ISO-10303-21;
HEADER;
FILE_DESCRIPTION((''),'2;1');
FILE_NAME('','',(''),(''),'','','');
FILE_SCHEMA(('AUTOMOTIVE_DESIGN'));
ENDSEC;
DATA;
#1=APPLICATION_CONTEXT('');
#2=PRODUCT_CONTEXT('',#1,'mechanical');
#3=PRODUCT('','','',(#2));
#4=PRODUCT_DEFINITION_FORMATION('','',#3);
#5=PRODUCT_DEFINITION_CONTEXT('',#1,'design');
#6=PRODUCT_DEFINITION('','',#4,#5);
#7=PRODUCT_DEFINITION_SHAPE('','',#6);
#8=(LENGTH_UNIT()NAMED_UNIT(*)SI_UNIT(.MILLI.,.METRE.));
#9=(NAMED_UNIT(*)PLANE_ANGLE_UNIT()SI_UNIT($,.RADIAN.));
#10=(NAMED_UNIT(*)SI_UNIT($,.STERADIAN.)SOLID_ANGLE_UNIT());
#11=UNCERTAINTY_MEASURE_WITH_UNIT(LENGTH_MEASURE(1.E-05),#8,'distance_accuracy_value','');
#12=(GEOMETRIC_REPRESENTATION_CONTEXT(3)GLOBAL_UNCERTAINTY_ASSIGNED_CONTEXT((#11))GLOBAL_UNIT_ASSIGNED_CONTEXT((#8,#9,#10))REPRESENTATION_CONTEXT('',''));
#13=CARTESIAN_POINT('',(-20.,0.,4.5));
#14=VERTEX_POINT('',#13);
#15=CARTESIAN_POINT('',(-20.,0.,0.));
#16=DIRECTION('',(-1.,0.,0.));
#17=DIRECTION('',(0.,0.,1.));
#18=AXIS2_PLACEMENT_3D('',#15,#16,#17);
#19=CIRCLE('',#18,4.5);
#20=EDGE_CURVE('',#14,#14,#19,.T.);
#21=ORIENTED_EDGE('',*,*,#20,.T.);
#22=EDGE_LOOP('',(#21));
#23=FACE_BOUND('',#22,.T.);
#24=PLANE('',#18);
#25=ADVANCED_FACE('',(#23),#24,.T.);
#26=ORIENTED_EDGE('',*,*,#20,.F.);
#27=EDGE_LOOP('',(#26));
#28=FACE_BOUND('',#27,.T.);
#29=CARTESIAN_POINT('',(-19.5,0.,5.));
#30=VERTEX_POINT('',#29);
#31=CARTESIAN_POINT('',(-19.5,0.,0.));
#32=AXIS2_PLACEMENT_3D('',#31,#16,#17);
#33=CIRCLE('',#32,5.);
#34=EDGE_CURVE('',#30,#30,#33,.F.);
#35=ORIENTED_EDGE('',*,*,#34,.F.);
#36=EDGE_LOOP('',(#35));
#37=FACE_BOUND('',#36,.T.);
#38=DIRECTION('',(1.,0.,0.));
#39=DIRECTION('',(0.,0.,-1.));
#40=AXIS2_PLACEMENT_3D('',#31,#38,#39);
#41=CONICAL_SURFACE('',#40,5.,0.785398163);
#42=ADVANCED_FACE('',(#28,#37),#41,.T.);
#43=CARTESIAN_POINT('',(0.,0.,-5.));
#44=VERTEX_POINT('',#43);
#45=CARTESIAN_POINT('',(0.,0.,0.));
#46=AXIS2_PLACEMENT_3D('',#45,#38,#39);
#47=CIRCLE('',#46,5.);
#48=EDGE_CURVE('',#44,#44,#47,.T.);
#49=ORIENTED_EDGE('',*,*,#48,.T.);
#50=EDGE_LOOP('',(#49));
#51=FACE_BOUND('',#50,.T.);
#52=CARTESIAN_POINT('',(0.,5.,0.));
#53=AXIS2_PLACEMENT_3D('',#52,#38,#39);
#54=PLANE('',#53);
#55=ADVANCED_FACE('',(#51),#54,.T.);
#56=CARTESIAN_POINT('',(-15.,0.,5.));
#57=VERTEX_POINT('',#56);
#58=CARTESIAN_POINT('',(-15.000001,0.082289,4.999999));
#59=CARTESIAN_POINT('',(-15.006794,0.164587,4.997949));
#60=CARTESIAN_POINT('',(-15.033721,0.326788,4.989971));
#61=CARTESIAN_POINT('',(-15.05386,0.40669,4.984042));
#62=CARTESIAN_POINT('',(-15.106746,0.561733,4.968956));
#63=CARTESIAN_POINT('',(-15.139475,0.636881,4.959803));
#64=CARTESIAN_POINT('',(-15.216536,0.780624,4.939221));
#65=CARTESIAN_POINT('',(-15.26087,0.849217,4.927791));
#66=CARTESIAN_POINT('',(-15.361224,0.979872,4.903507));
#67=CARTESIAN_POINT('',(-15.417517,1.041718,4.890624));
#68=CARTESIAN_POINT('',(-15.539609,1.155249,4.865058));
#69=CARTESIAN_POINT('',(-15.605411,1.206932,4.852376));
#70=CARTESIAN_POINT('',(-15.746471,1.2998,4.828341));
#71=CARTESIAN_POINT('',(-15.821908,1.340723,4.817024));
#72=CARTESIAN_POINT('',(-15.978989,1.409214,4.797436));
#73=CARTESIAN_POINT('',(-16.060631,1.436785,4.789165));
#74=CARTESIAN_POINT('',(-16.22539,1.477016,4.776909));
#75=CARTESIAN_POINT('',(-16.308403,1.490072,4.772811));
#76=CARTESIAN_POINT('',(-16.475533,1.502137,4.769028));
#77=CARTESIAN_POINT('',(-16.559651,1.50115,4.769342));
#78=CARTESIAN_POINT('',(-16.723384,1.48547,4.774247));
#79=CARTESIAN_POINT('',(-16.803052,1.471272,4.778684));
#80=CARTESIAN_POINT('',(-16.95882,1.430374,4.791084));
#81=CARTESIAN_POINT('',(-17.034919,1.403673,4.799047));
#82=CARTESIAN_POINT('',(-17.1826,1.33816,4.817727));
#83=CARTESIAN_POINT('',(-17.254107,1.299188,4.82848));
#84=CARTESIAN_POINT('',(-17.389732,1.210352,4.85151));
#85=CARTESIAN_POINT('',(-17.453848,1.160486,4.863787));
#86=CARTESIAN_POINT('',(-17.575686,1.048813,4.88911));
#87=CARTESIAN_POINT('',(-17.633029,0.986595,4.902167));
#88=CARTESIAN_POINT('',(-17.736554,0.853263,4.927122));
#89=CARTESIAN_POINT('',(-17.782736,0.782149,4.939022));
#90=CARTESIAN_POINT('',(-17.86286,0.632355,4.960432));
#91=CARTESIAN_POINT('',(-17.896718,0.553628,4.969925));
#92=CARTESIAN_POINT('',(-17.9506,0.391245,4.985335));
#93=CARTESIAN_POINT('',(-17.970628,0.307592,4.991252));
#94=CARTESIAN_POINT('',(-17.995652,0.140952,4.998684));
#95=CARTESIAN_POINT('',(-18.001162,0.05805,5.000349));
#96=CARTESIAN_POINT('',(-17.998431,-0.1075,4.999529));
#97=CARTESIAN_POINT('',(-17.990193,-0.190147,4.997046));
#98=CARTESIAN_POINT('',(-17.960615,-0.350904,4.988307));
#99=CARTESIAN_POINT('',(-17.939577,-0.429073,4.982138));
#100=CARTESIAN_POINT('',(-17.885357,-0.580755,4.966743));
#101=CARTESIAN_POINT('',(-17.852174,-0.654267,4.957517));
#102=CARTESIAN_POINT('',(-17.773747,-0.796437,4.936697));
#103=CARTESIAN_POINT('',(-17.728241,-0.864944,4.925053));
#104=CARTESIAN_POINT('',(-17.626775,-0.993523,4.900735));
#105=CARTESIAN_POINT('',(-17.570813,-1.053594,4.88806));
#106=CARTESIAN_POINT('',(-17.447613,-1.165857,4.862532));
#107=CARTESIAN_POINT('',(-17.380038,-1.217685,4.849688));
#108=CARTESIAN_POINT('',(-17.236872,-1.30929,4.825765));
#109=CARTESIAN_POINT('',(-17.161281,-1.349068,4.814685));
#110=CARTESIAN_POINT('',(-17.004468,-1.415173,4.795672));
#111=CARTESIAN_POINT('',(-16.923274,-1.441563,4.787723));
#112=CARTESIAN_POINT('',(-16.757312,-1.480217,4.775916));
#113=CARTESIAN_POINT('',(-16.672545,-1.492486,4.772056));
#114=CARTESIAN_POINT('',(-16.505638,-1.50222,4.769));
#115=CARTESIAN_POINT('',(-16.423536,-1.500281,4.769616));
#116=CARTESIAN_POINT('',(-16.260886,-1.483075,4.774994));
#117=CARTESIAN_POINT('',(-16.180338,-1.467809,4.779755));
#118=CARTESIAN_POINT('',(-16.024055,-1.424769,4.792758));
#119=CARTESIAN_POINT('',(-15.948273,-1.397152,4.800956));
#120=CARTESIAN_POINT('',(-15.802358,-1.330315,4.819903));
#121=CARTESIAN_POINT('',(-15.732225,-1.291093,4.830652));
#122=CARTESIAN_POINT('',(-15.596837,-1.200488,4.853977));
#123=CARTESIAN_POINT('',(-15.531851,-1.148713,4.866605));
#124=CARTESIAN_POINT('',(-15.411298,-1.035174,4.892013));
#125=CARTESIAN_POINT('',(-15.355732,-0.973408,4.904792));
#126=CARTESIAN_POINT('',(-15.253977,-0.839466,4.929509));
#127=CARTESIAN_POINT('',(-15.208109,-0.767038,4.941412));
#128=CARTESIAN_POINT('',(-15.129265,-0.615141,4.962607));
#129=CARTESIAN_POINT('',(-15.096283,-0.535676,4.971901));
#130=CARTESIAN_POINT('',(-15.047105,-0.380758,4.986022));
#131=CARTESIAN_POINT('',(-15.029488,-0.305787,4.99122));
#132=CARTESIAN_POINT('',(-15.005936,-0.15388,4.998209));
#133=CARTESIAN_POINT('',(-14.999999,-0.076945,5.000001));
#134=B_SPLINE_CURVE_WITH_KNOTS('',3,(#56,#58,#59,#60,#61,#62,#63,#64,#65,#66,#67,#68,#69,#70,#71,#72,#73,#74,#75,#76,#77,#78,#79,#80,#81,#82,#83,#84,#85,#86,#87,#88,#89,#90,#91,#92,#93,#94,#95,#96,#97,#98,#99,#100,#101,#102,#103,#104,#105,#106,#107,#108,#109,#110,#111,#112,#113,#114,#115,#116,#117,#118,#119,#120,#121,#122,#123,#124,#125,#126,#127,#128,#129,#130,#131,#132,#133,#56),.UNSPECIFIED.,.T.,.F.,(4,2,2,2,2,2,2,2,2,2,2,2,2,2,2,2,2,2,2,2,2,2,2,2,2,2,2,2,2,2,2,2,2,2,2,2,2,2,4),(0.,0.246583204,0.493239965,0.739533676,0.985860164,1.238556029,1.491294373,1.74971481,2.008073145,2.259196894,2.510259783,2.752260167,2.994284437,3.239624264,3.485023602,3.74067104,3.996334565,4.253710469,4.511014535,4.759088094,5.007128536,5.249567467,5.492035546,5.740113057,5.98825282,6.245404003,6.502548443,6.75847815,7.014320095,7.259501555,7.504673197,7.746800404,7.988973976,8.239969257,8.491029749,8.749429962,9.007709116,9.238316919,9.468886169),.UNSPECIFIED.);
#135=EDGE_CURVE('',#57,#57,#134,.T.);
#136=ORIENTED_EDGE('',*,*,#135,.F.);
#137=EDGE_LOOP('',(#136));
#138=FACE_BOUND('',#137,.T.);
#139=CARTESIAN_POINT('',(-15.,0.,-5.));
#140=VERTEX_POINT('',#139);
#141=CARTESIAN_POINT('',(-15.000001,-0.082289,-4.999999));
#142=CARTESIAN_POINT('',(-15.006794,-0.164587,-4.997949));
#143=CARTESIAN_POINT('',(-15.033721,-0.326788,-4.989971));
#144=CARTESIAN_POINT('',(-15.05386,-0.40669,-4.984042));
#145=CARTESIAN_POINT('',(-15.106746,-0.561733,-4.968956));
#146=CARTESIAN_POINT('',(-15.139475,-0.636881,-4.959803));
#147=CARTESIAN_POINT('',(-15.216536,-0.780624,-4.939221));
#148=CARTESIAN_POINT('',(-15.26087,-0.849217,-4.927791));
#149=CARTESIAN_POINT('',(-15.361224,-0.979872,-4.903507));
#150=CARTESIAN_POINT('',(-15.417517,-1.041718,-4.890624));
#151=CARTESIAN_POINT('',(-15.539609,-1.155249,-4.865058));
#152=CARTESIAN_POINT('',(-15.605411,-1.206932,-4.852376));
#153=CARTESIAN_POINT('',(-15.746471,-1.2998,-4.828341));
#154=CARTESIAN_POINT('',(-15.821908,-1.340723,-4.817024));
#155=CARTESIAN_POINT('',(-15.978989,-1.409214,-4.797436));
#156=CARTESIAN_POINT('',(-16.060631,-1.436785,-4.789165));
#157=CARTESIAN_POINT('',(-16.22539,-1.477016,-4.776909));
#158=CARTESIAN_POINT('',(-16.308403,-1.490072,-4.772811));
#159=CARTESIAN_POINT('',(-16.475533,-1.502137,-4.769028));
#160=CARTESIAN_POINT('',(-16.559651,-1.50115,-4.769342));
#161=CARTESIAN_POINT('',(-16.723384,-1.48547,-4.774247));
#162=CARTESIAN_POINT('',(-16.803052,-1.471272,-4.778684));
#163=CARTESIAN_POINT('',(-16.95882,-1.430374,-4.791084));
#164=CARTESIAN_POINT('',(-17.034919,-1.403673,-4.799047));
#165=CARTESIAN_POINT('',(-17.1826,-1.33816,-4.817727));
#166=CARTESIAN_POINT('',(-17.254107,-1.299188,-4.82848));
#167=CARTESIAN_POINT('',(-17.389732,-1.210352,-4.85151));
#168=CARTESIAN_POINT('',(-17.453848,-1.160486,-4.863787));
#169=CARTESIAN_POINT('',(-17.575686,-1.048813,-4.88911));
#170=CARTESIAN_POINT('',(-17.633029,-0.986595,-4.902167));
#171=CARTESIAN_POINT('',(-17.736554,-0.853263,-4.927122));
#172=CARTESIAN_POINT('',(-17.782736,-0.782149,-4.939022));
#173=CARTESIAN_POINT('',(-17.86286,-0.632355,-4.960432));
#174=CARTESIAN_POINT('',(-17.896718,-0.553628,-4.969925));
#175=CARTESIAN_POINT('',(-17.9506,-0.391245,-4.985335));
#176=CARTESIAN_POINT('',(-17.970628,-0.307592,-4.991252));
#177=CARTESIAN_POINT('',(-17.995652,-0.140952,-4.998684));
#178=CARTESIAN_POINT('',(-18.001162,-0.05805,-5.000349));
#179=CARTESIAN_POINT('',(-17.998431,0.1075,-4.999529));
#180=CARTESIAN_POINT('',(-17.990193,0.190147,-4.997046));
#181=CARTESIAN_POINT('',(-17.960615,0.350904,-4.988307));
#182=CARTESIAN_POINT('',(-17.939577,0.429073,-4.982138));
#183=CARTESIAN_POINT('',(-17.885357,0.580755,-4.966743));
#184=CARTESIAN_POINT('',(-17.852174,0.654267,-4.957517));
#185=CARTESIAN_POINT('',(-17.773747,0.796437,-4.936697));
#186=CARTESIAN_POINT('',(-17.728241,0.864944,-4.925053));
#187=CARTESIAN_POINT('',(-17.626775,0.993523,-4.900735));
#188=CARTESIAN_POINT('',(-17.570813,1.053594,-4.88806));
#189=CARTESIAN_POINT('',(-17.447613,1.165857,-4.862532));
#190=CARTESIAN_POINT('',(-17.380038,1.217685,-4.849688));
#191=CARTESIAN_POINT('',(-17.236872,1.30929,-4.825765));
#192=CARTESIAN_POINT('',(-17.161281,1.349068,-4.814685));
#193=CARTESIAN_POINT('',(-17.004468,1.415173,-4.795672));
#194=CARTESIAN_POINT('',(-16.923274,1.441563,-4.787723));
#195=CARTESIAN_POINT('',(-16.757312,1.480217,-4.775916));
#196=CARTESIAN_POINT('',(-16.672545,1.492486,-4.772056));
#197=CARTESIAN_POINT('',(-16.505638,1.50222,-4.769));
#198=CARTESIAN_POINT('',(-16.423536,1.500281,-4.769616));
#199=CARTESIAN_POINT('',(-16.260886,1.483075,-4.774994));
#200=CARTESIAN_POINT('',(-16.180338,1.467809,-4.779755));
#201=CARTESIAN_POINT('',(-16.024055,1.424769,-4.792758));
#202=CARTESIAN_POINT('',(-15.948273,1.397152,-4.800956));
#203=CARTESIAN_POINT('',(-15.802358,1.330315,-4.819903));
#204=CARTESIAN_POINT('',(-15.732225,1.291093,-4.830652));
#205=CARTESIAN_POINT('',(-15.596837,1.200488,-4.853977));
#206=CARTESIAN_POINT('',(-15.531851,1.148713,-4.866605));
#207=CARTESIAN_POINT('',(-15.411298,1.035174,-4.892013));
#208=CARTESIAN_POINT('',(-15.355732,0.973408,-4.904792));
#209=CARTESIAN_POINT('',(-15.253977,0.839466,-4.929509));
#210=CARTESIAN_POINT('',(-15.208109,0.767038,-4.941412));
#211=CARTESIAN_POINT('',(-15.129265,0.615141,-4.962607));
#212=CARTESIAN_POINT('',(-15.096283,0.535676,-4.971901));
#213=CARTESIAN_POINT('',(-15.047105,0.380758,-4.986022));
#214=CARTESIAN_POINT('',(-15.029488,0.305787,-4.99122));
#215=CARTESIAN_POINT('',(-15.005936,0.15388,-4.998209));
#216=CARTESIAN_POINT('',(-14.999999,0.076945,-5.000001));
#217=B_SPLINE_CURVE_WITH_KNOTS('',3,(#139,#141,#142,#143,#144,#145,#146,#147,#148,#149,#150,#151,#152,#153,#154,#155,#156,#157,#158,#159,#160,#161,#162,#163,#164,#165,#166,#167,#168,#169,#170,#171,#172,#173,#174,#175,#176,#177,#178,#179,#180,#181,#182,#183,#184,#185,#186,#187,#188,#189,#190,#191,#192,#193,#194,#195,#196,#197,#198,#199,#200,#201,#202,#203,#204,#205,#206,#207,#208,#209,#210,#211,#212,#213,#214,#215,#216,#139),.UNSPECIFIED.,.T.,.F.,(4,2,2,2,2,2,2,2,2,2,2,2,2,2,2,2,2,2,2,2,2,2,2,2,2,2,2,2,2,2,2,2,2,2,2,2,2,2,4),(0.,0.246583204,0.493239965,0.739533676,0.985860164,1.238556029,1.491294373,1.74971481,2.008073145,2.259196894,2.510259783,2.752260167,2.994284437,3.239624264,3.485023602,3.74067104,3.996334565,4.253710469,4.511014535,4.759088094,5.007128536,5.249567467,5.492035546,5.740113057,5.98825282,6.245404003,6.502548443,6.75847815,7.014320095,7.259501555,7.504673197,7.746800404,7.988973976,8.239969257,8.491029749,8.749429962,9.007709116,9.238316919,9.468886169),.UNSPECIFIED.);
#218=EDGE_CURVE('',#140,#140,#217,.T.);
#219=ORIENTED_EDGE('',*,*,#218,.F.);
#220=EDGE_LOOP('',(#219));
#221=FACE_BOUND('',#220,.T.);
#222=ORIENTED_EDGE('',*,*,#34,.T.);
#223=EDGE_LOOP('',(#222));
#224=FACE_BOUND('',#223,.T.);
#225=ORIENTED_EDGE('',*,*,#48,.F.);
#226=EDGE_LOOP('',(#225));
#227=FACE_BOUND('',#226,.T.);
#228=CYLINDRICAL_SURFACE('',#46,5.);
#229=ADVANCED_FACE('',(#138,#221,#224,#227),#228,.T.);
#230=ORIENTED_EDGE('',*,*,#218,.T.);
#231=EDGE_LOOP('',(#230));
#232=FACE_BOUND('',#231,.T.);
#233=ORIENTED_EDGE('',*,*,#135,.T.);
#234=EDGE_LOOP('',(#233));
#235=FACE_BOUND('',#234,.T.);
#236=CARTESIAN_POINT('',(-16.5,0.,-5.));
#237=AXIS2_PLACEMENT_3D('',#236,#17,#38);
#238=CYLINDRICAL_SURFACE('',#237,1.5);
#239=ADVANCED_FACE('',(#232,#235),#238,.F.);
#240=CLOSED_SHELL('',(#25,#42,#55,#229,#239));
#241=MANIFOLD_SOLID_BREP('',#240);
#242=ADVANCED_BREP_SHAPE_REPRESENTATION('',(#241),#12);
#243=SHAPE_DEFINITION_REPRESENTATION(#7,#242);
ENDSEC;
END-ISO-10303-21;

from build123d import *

# Parameters (mm, degrees)
ESQUISSE1_W           = 20
ESQUISSE1_H           = 5
CHANFREIN1_SIZE       = 0.5
EXTRUSION1_DEPTH      = 22.213203436
EXTRUSION1_DEPTH_BACK = 22.213203436
ESQUISSE2_R           = 1.5


with BuildPart() as part:
    # Esquisse1 → Base-Révolution (revolve)
    with BuildSketch(Plane.XY, mode=Mode.PRIVATE) as base_r_volution_sk:
        with Locations((-10, 2.5)):
            Rectangle(ESQUISSE1_W, ESQUISSE1_H)
    revolve(base_r_volution_sk.sketch.rotate(Axis((0, 0, 0), (-1, 0, 0)), 90), axis=Axis((0, 0, 0), (-1, 0, 0)))

    # Chanfrein1
    chanfrein1_edges = [part.edges().sort_by_distance(p)[0] for p in [
        (-20, 0, 5),
    ]]
    chamfer(chanfrein1_edges, length=CHANFREIN1_SIZE)

    # Esquisse2 → Extrusion1 (cut, two sides: drawn at the far end of the back side and taken through both)
    with BuildSketch(Plane.XY.offset(-EXTRUSION1_DEPTH_BACK)):
        with Locations((-16.5, 0)):
            Circle(ESQUISSE2_R)
    extrude(amount=EXTRUSION1_DEPTH + EXTRUSION1_DEPTH_BACK, mode=Mode.SUBTRACT)


solid = part.part
